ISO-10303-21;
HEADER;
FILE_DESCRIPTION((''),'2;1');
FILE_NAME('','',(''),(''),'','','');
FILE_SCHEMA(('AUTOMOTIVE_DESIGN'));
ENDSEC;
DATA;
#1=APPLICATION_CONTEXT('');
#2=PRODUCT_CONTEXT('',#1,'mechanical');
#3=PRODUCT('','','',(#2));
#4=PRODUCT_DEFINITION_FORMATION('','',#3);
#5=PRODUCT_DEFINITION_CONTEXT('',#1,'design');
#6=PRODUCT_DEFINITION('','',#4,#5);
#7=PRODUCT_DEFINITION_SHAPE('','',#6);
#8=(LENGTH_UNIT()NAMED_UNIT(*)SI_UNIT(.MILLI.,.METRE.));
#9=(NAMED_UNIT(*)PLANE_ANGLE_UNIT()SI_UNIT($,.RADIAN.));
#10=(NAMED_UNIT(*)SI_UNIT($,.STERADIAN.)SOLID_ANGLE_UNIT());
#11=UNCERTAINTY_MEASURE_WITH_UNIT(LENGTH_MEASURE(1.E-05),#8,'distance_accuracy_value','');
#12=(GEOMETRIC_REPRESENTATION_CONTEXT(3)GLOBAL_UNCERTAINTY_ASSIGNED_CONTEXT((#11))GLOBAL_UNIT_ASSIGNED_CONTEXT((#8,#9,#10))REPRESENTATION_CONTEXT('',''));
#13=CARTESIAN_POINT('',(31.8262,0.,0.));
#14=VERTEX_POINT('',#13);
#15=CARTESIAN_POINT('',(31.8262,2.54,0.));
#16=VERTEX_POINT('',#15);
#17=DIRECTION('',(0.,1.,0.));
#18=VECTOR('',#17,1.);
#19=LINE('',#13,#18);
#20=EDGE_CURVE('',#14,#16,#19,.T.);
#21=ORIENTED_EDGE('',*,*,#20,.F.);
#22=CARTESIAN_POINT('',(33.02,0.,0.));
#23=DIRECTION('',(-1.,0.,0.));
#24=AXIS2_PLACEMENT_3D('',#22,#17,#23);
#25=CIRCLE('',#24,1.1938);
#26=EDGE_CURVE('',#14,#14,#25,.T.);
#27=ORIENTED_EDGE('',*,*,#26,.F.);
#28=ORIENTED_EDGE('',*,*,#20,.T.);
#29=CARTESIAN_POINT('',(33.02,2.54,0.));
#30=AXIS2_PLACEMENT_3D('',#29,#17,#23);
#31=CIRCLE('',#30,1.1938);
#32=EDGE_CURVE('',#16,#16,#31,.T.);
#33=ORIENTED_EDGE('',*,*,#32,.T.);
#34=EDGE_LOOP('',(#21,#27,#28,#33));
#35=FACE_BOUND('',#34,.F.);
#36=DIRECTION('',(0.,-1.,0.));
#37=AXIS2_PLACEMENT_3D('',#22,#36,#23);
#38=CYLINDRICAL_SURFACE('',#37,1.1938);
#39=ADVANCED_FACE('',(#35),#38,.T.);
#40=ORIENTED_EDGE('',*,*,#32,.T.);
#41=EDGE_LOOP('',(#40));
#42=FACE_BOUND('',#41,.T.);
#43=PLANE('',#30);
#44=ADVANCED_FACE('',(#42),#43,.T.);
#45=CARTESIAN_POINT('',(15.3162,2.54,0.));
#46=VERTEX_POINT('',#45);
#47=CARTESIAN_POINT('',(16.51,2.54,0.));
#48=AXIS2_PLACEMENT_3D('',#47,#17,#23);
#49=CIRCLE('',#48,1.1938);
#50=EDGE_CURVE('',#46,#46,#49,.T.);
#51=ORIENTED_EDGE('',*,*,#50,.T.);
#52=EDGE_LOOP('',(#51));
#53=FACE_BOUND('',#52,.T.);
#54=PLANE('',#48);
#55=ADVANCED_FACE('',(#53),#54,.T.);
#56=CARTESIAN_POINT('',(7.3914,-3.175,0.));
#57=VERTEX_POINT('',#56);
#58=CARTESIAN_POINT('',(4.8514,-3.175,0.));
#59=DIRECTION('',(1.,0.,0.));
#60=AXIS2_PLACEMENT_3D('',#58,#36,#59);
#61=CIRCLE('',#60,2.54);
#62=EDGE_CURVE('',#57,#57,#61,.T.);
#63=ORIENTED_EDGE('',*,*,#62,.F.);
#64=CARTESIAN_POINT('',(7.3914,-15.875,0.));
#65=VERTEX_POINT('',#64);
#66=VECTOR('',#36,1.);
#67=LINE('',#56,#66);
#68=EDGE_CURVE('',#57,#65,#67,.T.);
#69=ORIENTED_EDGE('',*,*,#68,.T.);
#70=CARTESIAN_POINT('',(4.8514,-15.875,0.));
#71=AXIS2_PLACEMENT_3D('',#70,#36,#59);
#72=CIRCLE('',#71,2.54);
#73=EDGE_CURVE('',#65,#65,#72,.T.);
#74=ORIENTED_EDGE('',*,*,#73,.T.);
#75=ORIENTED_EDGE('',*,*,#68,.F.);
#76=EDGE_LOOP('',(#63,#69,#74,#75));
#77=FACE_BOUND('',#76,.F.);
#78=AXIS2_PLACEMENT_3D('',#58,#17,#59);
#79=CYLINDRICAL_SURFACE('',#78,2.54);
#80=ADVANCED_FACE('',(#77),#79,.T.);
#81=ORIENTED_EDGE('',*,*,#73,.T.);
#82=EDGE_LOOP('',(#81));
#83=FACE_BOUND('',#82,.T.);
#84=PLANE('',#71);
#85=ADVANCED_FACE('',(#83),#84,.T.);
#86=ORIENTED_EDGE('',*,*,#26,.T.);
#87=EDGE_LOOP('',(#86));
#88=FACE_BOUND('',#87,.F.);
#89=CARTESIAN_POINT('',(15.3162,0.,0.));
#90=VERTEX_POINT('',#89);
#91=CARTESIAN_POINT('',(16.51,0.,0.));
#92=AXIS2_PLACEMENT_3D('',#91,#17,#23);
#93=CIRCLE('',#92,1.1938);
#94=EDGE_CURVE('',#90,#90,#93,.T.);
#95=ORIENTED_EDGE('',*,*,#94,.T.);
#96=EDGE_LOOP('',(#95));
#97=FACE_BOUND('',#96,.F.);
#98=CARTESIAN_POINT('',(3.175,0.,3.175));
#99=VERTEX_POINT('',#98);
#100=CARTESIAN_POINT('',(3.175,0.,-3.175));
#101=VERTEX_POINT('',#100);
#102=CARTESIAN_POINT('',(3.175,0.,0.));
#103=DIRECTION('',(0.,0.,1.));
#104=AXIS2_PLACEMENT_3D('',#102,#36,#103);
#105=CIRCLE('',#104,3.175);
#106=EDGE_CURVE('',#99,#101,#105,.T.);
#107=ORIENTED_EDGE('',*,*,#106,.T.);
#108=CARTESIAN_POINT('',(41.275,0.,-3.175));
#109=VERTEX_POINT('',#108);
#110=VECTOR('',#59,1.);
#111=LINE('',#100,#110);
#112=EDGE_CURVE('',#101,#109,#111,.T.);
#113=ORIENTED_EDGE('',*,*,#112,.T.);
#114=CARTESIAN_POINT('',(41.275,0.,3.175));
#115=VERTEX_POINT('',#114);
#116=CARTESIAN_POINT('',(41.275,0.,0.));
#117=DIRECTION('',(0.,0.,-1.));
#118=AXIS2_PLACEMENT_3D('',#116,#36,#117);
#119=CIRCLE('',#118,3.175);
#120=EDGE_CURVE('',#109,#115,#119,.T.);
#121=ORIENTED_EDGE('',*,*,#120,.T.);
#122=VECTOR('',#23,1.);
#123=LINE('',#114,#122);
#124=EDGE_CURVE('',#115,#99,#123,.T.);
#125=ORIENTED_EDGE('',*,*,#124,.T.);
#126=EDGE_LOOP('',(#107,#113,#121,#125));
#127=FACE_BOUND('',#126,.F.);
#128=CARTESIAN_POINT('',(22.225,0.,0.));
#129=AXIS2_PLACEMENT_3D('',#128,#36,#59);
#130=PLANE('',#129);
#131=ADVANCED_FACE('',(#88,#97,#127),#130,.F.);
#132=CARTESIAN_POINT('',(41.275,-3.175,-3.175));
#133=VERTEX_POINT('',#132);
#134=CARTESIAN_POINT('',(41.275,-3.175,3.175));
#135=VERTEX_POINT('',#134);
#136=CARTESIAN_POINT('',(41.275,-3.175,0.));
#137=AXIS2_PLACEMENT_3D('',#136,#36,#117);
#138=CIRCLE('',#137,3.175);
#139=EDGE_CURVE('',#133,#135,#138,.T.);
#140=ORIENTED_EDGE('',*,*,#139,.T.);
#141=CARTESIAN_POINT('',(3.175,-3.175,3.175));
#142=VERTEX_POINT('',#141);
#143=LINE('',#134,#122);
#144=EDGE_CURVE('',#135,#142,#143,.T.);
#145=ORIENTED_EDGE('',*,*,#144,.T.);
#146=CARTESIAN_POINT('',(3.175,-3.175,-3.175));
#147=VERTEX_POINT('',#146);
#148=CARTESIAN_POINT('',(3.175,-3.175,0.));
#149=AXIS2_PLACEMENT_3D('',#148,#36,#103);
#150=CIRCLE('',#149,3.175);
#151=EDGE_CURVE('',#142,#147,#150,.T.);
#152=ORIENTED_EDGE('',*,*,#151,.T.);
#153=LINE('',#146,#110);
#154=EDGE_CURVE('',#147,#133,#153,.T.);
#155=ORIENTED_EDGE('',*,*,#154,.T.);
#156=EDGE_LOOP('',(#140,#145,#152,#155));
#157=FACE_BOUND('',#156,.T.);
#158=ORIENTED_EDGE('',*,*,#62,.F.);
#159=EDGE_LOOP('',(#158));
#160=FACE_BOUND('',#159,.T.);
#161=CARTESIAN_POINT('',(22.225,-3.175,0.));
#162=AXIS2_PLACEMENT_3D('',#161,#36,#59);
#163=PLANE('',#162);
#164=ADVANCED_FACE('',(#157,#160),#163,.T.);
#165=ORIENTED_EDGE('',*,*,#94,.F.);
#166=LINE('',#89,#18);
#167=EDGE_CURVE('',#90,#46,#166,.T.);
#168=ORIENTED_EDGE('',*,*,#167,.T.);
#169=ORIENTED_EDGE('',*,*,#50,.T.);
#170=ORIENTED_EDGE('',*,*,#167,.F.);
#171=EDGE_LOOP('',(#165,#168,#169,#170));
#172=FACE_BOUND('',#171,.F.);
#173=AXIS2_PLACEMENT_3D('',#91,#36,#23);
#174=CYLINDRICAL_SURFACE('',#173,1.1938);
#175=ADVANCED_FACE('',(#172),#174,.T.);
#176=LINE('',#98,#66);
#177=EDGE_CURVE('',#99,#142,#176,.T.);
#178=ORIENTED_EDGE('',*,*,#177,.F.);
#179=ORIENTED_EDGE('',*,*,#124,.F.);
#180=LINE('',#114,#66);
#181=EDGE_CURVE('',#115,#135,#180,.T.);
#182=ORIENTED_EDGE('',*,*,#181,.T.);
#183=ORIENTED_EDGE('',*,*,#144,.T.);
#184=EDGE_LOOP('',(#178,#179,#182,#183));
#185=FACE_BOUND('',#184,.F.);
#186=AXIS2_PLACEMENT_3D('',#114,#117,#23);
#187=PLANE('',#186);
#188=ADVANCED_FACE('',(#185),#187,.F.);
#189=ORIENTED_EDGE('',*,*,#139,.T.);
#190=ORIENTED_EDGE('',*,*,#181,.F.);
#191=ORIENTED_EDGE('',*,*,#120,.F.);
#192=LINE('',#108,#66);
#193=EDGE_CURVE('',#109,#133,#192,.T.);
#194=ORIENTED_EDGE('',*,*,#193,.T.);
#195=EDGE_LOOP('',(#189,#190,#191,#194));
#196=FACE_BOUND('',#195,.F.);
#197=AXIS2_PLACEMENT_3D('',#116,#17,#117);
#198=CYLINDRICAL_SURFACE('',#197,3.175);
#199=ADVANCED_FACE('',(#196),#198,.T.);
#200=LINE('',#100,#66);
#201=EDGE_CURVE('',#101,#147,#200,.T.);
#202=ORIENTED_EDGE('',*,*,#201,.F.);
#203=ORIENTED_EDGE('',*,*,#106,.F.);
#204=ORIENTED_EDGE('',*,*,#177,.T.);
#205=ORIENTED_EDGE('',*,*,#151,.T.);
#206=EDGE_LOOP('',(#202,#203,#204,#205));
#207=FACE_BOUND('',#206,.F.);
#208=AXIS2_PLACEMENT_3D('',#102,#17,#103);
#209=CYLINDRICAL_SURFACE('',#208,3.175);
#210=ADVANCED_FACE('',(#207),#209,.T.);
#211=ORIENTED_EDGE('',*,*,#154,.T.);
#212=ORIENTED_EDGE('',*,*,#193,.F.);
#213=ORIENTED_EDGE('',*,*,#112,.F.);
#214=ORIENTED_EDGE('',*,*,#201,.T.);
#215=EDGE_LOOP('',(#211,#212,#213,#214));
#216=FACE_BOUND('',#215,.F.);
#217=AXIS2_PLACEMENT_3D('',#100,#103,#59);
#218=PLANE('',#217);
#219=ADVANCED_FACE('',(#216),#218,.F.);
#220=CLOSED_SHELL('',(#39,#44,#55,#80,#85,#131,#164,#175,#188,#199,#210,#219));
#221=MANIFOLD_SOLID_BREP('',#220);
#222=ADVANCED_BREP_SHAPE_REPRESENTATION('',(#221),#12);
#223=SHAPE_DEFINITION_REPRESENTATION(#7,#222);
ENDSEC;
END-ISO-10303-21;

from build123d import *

# Parameters (mm, degrees)
F1_DEPTH = 3.175
F2_R     = 2.54
F3_DEPTH = 12.7
F4_R     = 1.1938
F5_DEPTH = 2.54


with BuildPart() as f1:
    # F0 (on Front) → F1 (new body)
    with BuildSketch(Plane.XZ):
        with BuildLine():
            Line((41.275, 3.175), (3.175, 3.175))
            ThreePointArc((3.175, 3.175), (0, 0), (3.175, -3.175))
            Line((3.175, -3.175), (41.275, -3.175))
            ThreePointArc((41.275, -3.175), (44.45, 0), (41.275, 3.175))
        make_face()
    extrude(amount=F1_DEPTH)

    # F2 (on face) → F3 (join)
    with BuildSketch(Plane.XZ.offset(3.175)):
        with Locations((4.8514, 0)):
            Circle(F2_R)
    extrude(amount=F3_DEPTH)

    # F4 (on face) → F5 (join)
    with BuildSketch(Plane(origin=(0, 0, 0), x_dir=(-1, 0, 0), z_dir=(0, 1, 0))):
        with Locations((-16.51, 0)):
            Circle(F4_R)
        with Locations((-33.02, 0)):
            Circle(F4_R)
    extrude(amount=F5_DEPTH)


solid = f1.part
